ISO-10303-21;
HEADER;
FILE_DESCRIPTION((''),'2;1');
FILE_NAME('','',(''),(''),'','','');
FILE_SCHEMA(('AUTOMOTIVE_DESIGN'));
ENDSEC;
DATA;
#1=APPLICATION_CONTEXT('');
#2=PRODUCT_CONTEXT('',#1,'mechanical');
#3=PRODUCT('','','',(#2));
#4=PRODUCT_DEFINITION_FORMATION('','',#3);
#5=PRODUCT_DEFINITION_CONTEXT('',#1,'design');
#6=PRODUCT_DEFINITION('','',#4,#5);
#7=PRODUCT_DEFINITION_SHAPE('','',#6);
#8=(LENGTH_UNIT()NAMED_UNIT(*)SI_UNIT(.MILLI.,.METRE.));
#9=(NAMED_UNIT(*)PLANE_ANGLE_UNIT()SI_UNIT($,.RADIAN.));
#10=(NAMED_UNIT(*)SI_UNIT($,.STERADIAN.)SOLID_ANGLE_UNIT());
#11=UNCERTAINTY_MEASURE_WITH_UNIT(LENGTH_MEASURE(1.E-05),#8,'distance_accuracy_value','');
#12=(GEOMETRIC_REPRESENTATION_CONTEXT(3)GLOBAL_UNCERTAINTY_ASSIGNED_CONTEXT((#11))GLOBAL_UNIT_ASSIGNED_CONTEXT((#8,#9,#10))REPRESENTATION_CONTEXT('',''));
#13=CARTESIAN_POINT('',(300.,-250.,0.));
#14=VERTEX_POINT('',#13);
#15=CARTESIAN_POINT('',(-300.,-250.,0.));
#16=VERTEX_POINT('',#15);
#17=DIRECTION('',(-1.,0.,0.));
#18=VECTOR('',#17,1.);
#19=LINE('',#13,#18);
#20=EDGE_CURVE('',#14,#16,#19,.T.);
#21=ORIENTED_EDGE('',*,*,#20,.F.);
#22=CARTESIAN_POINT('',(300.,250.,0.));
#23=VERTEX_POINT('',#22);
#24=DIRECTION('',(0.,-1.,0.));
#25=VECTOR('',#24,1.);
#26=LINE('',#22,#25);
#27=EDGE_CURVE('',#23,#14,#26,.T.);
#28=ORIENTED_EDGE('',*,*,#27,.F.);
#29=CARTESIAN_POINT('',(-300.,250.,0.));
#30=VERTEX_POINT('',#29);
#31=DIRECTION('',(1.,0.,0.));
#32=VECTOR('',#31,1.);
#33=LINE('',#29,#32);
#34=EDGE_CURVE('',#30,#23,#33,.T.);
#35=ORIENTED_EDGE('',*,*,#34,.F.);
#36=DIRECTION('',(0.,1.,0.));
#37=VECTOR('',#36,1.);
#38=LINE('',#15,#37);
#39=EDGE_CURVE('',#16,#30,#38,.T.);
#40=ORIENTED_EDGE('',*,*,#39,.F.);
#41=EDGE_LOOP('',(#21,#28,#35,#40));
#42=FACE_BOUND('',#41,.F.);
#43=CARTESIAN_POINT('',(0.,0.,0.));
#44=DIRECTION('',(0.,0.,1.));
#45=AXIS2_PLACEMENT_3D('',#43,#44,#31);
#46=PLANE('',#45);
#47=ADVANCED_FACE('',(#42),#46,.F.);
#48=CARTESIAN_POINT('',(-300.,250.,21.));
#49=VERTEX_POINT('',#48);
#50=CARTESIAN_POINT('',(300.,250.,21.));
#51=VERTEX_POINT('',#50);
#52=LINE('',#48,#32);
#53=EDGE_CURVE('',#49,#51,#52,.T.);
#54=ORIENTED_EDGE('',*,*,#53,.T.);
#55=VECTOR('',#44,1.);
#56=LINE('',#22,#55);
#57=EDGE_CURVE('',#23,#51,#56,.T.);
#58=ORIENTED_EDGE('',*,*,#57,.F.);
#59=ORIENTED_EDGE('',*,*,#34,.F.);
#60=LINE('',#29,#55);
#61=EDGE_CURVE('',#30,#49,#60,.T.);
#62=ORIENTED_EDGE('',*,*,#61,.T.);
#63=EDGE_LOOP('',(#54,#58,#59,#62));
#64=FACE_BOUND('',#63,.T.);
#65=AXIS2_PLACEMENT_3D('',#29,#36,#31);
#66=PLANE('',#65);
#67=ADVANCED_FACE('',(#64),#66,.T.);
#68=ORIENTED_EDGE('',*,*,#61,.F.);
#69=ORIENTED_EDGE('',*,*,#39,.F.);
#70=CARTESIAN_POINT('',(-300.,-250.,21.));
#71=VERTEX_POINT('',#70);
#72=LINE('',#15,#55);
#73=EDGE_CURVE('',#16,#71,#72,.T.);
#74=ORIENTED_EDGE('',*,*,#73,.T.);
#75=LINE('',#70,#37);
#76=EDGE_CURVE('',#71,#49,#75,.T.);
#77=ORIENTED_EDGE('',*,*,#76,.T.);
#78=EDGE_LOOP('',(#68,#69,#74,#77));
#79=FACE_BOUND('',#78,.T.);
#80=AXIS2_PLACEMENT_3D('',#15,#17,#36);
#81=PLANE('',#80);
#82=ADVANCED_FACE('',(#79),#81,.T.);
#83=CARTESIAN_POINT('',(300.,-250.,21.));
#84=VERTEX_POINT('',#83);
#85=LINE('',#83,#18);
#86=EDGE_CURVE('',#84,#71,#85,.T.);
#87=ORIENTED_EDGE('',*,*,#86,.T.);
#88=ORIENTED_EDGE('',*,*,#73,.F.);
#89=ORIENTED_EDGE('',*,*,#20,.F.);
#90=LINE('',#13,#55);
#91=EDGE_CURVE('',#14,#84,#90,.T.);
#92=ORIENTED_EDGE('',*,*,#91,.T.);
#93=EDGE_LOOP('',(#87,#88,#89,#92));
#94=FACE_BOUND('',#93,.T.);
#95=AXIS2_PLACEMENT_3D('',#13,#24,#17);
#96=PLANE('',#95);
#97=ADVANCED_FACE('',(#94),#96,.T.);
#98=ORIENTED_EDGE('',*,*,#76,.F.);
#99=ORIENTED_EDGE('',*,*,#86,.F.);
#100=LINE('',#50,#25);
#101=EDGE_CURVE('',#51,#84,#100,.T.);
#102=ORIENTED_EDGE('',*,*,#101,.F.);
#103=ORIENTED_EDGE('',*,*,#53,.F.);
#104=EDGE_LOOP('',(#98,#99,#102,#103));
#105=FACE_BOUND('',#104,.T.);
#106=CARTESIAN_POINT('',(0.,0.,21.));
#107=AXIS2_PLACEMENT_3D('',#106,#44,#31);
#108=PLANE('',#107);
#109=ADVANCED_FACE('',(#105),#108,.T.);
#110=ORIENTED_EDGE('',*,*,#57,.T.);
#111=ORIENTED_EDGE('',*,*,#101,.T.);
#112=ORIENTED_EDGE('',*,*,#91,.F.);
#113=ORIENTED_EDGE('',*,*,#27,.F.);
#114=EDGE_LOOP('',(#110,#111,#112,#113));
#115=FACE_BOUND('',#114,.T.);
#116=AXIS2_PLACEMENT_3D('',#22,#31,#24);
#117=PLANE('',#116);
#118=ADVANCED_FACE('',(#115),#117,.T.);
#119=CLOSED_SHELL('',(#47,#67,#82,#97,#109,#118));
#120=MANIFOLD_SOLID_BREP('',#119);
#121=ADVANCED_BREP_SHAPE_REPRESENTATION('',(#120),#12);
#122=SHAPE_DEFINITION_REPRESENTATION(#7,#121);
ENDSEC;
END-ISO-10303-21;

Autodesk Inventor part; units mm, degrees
ref_plane "YZ Plane" through (0, 0, 0) normal (1, 0, 0) x (0, 1, 0)
ref_plane "XZ Plane" through (0, 0, 0) normal (0, 1, 0) x (-1, 0, 0)
ref_plane "XY Plane" through (0, 0, 0) normal (0, 0, 1) x (1, 0, 0)
sketch "Sketch1" plane through (0, 0, 0) normal (0, 0, 1) x (1, 0, 0)
  line L0 (300, -250) -> (-300, -250)
  line L1 (-300, -250) -> (-300, 250)
  line L2 (-300, 250) -> (300, 250)
  line L3 (300, 250) -> (300, -250)
  line L4 (300, -250) -> (-300, 250) construction
  line L5 (-300, -250) -> (300, 250) construction
  point P0 (0, 0)
  dimension "d0" = 600
  dimension "d1" = 500
extrude "Extrusion1" add sketch "Sketch1" along normal blind 21
properties part number "baseplate-mpx-bot" material "Wood (Birch)"
